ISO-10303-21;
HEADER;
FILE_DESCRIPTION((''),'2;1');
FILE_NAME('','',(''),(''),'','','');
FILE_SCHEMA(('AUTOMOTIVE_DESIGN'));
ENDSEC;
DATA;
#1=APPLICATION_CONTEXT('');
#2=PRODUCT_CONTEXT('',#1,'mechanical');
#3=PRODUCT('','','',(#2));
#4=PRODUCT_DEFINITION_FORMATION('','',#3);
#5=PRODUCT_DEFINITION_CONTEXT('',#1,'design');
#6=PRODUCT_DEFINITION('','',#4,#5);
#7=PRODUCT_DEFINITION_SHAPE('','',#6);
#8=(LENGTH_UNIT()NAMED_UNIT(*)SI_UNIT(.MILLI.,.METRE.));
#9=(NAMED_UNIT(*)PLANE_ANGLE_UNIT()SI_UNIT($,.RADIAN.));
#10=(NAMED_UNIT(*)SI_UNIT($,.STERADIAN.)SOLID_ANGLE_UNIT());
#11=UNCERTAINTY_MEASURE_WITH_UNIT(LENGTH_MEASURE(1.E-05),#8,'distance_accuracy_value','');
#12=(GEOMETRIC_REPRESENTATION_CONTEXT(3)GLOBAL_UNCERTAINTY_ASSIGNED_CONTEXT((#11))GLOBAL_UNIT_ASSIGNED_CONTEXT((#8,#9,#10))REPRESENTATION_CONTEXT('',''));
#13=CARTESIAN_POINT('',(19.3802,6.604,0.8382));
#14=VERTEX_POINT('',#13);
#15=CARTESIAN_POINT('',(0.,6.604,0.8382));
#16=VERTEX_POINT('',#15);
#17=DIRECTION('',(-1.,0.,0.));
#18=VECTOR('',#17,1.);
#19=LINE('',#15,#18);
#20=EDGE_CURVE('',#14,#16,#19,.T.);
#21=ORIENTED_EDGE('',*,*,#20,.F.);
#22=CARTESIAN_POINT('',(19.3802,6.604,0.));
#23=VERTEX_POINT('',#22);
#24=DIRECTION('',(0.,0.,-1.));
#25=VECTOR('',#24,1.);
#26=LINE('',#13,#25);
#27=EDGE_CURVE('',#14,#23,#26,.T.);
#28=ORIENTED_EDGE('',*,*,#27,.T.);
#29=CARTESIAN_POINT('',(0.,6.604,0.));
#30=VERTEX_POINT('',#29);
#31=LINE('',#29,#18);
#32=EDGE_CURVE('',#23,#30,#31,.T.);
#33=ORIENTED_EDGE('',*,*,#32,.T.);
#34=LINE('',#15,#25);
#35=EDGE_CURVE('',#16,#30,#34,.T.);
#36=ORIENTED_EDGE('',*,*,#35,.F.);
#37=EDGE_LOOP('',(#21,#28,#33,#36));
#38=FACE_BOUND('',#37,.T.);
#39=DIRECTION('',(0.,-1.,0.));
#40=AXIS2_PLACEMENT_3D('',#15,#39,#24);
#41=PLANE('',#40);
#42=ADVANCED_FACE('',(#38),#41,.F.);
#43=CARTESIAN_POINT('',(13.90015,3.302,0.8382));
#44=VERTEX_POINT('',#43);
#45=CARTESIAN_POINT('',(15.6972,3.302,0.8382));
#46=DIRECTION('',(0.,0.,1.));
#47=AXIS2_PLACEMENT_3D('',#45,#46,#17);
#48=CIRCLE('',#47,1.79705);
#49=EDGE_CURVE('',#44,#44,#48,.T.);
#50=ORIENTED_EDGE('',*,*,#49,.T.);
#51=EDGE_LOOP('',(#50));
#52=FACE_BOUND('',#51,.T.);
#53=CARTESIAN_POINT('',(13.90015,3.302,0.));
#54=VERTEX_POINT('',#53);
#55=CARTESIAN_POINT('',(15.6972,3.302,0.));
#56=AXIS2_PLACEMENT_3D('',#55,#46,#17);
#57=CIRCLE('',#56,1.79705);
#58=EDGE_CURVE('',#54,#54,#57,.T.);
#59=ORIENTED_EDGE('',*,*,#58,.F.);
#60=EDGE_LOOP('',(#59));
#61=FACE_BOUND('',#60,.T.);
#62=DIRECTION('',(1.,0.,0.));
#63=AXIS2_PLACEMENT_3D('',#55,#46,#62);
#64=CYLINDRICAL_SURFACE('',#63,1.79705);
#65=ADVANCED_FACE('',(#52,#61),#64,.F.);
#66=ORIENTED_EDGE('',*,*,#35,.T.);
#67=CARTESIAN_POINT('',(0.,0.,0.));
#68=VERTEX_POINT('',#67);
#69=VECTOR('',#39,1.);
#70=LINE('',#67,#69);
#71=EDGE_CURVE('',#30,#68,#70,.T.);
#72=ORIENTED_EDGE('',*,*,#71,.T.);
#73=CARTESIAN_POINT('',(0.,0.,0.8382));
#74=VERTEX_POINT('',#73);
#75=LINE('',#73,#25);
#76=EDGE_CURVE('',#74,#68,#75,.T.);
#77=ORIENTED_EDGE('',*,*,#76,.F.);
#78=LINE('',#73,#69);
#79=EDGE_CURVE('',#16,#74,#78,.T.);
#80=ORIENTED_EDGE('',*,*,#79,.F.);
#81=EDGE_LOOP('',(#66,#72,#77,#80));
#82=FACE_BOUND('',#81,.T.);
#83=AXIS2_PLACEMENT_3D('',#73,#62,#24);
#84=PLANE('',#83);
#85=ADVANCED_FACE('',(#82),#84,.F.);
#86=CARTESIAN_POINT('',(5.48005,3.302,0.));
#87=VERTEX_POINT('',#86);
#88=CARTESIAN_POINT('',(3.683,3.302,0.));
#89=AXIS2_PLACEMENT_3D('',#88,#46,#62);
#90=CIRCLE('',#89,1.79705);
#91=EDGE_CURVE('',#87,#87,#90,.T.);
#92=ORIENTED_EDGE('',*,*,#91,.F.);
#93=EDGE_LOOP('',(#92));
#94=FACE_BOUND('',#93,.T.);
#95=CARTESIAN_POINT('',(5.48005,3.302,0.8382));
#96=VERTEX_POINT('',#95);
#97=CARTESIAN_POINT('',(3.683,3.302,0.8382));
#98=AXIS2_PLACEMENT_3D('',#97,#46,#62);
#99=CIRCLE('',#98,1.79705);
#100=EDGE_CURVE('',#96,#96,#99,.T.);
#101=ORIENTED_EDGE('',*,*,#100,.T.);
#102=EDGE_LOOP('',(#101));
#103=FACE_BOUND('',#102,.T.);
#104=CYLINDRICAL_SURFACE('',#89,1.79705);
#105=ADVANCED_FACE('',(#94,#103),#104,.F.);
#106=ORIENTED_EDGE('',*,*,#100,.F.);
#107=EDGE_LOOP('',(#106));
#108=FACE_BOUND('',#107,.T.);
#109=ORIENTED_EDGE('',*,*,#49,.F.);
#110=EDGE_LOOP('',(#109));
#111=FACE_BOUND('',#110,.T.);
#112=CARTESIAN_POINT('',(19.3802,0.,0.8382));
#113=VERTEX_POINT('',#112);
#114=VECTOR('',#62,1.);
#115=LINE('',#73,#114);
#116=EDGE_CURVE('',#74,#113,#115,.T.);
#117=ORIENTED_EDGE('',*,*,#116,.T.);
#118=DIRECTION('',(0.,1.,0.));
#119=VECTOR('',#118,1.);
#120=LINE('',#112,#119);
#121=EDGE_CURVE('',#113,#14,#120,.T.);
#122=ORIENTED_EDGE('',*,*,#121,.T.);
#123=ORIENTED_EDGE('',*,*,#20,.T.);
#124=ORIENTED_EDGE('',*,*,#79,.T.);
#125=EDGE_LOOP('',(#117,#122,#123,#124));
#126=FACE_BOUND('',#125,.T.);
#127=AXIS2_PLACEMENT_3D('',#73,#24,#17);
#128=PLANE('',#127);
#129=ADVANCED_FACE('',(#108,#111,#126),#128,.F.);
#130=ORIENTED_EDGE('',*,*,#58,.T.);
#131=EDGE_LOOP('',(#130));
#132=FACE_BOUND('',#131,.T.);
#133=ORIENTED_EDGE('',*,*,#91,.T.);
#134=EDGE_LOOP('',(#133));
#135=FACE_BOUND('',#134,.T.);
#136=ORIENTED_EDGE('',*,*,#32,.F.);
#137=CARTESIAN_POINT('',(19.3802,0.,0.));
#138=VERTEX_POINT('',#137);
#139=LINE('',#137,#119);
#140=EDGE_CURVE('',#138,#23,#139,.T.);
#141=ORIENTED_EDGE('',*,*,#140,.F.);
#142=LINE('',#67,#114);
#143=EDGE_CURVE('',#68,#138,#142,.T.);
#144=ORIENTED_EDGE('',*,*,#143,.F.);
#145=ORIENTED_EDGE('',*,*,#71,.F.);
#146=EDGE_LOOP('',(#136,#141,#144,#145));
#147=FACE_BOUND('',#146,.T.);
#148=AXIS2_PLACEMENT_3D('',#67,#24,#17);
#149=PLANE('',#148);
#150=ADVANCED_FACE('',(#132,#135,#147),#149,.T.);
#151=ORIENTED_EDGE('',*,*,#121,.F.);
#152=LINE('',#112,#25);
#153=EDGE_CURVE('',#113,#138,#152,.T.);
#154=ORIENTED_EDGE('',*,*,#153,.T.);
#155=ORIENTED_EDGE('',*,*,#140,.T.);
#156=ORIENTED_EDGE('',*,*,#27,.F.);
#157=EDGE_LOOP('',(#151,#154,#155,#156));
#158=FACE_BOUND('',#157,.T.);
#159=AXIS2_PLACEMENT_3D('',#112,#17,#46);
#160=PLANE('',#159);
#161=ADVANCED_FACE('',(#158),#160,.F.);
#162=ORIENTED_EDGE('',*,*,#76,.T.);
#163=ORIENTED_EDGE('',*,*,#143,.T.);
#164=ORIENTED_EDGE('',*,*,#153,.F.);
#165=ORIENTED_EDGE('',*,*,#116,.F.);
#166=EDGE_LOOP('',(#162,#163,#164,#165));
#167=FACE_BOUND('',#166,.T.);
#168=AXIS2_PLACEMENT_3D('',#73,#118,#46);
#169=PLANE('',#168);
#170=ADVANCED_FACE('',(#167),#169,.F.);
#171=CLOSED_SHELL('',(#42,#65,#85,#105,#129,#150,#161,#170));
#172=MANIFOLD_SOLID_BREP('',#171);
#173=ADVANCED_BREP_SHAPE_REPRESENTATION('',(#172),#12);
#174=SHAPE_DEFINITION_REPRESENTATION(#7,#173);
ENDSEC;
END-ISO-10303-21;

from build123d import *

# Parameters (mm, degrees)
SKETCH1_W           = 19.3802
SKETCH1_H           = 6.604
BOSS_EXTRUDE1_DEPTH = 0.8382
SKETCH2_R           = 1.79705
CUT_EXTRUDE1_DEPTH  = 0.8382


with BuildPart() as part:
    # Sketch1 → Boss-Extrude1 (new body)
    with BuildSketch(Plane.XY):
        with Locations((9.6901, 3.302)):
            Rectangle(SKETCH1_W, SKETCH1_H)
    extrude(amount=BOSS_EXTRUDE1_DEPTH)

    # Sketch2 → Cut-Extrude1 (cut)
    with BuildSketch(Plane.XY.offset(0.8382)):
        with Locations((3.683, 3.302)):
            Circle(SKETCH2_R)
        with Locations((15.6972, 3.302)):
            Circle(SKETCH2_R)
    extrude(amount=-CUT_EXTRUDE1_DEPTH, mode=Mode.SUBTRACT)


solid = part.part
